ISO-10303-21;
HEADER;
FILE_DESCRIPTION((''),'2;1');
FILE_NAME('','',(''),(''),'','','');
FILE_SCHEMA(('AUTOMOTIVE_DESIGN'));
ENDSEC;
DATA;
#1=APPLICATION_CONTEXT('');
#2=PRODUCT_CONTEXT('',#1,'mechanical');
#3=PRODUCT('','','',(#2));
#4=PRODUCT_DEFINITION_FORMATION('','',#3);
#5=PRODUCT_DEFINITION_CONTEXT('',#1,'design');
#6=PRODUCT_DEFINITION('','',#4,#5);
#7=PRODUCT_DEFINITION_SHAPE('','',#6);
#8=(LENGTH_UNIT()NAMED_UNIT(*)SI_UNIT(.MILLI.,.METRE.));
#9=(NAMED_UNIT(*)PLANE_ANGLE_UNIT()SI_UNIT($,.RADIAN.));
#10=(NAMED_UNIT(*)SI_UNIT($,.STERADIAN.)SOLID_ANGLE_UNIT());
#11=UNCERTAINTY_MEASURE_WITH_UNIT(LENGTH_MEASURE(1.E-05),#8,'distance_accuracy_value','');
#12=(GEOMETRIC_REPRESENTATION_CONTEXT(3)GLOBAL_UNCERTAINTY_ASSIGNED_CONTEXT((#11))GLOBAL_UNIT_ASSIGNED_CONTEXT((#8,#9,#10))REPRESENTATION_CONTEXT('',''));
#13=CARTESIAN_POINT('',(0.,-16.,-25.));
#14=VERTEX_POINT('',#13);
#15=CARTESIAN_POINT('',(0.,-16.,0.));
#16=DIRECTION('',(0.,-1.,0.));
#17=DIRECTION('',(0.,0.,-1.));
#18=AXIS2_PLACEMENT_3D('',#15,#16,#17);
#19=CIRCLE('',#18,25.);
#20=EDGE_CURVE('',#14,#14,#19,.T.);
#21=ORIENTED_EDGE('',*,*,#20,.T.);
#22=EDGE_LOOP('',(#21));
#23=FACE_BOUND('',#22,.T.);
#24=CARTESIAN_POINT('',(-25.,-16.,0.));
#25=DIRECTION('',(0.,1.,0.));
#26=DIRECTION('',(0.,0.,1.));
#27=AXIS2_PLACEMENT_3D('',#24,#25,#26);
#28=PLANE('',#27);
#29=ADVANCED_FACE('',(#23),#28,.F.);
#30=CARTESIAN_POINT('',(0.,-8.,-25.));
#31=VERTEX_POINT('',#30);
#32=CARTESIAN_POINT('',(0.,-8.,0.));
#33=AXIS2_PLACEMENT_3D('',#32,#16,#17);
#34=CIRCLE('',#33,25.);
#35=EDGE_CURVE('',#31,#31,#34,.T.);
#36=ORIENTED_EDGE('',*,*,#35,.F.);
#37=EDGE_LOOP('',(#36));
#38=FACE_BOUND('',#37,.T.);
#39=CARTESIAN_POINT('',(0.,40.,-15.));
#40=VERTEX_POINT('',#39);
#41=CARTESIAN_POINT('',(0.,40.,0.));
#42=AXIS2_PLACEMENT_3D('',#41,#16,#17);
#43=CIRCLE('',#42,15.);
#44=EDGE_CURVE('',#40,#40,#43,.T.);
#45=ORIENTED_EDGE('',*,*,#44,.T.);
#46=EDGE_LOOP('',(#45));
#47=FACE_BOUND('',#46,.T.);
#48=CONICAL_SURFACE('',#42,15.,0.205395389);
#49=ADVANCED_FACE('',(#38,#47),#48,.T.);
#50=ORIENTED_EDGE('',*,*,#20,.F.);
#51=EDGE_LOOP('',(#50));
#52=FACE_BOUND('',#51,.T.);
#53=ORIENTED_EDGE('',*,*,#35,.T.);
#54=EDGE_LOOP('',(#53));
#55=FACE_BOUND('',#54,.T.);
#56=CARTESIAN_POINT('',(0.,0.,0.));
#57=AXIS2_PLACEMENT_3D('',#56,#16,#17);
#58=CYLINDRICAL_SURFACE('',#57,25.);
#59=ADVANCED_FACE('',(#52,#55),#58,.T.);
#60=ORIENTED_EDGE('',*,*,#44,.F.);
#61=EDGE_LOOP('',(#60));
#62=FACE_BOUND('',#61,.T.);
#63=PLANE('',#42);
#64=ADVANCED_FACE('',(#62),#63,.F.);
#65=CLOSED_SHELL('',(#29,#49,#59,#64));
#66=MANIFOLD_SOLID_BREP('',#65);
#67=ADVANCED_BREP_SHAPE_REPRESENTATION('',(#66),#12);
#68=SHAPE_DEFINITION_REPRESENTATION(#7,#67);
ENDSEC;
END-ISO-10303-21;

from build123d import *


with BuildPart() as part:
    # 草图1 → 旋转1 (revolve)
    with BuildSketch(Plane.XY, mode=Mode.PRIVATE) as revolve_1_sk:
        Polygon((0, 40), (-15, 40), (-25, -8), (-25, -16), (0, -16), align=None)
    revolve(revolve_1_sk.sketch.rotate(Axis((0, 0, 0), (0, 1, 0)), 270), axis=Axis((0, 0, 0), (0, 1, 0)))


solid = part.part
